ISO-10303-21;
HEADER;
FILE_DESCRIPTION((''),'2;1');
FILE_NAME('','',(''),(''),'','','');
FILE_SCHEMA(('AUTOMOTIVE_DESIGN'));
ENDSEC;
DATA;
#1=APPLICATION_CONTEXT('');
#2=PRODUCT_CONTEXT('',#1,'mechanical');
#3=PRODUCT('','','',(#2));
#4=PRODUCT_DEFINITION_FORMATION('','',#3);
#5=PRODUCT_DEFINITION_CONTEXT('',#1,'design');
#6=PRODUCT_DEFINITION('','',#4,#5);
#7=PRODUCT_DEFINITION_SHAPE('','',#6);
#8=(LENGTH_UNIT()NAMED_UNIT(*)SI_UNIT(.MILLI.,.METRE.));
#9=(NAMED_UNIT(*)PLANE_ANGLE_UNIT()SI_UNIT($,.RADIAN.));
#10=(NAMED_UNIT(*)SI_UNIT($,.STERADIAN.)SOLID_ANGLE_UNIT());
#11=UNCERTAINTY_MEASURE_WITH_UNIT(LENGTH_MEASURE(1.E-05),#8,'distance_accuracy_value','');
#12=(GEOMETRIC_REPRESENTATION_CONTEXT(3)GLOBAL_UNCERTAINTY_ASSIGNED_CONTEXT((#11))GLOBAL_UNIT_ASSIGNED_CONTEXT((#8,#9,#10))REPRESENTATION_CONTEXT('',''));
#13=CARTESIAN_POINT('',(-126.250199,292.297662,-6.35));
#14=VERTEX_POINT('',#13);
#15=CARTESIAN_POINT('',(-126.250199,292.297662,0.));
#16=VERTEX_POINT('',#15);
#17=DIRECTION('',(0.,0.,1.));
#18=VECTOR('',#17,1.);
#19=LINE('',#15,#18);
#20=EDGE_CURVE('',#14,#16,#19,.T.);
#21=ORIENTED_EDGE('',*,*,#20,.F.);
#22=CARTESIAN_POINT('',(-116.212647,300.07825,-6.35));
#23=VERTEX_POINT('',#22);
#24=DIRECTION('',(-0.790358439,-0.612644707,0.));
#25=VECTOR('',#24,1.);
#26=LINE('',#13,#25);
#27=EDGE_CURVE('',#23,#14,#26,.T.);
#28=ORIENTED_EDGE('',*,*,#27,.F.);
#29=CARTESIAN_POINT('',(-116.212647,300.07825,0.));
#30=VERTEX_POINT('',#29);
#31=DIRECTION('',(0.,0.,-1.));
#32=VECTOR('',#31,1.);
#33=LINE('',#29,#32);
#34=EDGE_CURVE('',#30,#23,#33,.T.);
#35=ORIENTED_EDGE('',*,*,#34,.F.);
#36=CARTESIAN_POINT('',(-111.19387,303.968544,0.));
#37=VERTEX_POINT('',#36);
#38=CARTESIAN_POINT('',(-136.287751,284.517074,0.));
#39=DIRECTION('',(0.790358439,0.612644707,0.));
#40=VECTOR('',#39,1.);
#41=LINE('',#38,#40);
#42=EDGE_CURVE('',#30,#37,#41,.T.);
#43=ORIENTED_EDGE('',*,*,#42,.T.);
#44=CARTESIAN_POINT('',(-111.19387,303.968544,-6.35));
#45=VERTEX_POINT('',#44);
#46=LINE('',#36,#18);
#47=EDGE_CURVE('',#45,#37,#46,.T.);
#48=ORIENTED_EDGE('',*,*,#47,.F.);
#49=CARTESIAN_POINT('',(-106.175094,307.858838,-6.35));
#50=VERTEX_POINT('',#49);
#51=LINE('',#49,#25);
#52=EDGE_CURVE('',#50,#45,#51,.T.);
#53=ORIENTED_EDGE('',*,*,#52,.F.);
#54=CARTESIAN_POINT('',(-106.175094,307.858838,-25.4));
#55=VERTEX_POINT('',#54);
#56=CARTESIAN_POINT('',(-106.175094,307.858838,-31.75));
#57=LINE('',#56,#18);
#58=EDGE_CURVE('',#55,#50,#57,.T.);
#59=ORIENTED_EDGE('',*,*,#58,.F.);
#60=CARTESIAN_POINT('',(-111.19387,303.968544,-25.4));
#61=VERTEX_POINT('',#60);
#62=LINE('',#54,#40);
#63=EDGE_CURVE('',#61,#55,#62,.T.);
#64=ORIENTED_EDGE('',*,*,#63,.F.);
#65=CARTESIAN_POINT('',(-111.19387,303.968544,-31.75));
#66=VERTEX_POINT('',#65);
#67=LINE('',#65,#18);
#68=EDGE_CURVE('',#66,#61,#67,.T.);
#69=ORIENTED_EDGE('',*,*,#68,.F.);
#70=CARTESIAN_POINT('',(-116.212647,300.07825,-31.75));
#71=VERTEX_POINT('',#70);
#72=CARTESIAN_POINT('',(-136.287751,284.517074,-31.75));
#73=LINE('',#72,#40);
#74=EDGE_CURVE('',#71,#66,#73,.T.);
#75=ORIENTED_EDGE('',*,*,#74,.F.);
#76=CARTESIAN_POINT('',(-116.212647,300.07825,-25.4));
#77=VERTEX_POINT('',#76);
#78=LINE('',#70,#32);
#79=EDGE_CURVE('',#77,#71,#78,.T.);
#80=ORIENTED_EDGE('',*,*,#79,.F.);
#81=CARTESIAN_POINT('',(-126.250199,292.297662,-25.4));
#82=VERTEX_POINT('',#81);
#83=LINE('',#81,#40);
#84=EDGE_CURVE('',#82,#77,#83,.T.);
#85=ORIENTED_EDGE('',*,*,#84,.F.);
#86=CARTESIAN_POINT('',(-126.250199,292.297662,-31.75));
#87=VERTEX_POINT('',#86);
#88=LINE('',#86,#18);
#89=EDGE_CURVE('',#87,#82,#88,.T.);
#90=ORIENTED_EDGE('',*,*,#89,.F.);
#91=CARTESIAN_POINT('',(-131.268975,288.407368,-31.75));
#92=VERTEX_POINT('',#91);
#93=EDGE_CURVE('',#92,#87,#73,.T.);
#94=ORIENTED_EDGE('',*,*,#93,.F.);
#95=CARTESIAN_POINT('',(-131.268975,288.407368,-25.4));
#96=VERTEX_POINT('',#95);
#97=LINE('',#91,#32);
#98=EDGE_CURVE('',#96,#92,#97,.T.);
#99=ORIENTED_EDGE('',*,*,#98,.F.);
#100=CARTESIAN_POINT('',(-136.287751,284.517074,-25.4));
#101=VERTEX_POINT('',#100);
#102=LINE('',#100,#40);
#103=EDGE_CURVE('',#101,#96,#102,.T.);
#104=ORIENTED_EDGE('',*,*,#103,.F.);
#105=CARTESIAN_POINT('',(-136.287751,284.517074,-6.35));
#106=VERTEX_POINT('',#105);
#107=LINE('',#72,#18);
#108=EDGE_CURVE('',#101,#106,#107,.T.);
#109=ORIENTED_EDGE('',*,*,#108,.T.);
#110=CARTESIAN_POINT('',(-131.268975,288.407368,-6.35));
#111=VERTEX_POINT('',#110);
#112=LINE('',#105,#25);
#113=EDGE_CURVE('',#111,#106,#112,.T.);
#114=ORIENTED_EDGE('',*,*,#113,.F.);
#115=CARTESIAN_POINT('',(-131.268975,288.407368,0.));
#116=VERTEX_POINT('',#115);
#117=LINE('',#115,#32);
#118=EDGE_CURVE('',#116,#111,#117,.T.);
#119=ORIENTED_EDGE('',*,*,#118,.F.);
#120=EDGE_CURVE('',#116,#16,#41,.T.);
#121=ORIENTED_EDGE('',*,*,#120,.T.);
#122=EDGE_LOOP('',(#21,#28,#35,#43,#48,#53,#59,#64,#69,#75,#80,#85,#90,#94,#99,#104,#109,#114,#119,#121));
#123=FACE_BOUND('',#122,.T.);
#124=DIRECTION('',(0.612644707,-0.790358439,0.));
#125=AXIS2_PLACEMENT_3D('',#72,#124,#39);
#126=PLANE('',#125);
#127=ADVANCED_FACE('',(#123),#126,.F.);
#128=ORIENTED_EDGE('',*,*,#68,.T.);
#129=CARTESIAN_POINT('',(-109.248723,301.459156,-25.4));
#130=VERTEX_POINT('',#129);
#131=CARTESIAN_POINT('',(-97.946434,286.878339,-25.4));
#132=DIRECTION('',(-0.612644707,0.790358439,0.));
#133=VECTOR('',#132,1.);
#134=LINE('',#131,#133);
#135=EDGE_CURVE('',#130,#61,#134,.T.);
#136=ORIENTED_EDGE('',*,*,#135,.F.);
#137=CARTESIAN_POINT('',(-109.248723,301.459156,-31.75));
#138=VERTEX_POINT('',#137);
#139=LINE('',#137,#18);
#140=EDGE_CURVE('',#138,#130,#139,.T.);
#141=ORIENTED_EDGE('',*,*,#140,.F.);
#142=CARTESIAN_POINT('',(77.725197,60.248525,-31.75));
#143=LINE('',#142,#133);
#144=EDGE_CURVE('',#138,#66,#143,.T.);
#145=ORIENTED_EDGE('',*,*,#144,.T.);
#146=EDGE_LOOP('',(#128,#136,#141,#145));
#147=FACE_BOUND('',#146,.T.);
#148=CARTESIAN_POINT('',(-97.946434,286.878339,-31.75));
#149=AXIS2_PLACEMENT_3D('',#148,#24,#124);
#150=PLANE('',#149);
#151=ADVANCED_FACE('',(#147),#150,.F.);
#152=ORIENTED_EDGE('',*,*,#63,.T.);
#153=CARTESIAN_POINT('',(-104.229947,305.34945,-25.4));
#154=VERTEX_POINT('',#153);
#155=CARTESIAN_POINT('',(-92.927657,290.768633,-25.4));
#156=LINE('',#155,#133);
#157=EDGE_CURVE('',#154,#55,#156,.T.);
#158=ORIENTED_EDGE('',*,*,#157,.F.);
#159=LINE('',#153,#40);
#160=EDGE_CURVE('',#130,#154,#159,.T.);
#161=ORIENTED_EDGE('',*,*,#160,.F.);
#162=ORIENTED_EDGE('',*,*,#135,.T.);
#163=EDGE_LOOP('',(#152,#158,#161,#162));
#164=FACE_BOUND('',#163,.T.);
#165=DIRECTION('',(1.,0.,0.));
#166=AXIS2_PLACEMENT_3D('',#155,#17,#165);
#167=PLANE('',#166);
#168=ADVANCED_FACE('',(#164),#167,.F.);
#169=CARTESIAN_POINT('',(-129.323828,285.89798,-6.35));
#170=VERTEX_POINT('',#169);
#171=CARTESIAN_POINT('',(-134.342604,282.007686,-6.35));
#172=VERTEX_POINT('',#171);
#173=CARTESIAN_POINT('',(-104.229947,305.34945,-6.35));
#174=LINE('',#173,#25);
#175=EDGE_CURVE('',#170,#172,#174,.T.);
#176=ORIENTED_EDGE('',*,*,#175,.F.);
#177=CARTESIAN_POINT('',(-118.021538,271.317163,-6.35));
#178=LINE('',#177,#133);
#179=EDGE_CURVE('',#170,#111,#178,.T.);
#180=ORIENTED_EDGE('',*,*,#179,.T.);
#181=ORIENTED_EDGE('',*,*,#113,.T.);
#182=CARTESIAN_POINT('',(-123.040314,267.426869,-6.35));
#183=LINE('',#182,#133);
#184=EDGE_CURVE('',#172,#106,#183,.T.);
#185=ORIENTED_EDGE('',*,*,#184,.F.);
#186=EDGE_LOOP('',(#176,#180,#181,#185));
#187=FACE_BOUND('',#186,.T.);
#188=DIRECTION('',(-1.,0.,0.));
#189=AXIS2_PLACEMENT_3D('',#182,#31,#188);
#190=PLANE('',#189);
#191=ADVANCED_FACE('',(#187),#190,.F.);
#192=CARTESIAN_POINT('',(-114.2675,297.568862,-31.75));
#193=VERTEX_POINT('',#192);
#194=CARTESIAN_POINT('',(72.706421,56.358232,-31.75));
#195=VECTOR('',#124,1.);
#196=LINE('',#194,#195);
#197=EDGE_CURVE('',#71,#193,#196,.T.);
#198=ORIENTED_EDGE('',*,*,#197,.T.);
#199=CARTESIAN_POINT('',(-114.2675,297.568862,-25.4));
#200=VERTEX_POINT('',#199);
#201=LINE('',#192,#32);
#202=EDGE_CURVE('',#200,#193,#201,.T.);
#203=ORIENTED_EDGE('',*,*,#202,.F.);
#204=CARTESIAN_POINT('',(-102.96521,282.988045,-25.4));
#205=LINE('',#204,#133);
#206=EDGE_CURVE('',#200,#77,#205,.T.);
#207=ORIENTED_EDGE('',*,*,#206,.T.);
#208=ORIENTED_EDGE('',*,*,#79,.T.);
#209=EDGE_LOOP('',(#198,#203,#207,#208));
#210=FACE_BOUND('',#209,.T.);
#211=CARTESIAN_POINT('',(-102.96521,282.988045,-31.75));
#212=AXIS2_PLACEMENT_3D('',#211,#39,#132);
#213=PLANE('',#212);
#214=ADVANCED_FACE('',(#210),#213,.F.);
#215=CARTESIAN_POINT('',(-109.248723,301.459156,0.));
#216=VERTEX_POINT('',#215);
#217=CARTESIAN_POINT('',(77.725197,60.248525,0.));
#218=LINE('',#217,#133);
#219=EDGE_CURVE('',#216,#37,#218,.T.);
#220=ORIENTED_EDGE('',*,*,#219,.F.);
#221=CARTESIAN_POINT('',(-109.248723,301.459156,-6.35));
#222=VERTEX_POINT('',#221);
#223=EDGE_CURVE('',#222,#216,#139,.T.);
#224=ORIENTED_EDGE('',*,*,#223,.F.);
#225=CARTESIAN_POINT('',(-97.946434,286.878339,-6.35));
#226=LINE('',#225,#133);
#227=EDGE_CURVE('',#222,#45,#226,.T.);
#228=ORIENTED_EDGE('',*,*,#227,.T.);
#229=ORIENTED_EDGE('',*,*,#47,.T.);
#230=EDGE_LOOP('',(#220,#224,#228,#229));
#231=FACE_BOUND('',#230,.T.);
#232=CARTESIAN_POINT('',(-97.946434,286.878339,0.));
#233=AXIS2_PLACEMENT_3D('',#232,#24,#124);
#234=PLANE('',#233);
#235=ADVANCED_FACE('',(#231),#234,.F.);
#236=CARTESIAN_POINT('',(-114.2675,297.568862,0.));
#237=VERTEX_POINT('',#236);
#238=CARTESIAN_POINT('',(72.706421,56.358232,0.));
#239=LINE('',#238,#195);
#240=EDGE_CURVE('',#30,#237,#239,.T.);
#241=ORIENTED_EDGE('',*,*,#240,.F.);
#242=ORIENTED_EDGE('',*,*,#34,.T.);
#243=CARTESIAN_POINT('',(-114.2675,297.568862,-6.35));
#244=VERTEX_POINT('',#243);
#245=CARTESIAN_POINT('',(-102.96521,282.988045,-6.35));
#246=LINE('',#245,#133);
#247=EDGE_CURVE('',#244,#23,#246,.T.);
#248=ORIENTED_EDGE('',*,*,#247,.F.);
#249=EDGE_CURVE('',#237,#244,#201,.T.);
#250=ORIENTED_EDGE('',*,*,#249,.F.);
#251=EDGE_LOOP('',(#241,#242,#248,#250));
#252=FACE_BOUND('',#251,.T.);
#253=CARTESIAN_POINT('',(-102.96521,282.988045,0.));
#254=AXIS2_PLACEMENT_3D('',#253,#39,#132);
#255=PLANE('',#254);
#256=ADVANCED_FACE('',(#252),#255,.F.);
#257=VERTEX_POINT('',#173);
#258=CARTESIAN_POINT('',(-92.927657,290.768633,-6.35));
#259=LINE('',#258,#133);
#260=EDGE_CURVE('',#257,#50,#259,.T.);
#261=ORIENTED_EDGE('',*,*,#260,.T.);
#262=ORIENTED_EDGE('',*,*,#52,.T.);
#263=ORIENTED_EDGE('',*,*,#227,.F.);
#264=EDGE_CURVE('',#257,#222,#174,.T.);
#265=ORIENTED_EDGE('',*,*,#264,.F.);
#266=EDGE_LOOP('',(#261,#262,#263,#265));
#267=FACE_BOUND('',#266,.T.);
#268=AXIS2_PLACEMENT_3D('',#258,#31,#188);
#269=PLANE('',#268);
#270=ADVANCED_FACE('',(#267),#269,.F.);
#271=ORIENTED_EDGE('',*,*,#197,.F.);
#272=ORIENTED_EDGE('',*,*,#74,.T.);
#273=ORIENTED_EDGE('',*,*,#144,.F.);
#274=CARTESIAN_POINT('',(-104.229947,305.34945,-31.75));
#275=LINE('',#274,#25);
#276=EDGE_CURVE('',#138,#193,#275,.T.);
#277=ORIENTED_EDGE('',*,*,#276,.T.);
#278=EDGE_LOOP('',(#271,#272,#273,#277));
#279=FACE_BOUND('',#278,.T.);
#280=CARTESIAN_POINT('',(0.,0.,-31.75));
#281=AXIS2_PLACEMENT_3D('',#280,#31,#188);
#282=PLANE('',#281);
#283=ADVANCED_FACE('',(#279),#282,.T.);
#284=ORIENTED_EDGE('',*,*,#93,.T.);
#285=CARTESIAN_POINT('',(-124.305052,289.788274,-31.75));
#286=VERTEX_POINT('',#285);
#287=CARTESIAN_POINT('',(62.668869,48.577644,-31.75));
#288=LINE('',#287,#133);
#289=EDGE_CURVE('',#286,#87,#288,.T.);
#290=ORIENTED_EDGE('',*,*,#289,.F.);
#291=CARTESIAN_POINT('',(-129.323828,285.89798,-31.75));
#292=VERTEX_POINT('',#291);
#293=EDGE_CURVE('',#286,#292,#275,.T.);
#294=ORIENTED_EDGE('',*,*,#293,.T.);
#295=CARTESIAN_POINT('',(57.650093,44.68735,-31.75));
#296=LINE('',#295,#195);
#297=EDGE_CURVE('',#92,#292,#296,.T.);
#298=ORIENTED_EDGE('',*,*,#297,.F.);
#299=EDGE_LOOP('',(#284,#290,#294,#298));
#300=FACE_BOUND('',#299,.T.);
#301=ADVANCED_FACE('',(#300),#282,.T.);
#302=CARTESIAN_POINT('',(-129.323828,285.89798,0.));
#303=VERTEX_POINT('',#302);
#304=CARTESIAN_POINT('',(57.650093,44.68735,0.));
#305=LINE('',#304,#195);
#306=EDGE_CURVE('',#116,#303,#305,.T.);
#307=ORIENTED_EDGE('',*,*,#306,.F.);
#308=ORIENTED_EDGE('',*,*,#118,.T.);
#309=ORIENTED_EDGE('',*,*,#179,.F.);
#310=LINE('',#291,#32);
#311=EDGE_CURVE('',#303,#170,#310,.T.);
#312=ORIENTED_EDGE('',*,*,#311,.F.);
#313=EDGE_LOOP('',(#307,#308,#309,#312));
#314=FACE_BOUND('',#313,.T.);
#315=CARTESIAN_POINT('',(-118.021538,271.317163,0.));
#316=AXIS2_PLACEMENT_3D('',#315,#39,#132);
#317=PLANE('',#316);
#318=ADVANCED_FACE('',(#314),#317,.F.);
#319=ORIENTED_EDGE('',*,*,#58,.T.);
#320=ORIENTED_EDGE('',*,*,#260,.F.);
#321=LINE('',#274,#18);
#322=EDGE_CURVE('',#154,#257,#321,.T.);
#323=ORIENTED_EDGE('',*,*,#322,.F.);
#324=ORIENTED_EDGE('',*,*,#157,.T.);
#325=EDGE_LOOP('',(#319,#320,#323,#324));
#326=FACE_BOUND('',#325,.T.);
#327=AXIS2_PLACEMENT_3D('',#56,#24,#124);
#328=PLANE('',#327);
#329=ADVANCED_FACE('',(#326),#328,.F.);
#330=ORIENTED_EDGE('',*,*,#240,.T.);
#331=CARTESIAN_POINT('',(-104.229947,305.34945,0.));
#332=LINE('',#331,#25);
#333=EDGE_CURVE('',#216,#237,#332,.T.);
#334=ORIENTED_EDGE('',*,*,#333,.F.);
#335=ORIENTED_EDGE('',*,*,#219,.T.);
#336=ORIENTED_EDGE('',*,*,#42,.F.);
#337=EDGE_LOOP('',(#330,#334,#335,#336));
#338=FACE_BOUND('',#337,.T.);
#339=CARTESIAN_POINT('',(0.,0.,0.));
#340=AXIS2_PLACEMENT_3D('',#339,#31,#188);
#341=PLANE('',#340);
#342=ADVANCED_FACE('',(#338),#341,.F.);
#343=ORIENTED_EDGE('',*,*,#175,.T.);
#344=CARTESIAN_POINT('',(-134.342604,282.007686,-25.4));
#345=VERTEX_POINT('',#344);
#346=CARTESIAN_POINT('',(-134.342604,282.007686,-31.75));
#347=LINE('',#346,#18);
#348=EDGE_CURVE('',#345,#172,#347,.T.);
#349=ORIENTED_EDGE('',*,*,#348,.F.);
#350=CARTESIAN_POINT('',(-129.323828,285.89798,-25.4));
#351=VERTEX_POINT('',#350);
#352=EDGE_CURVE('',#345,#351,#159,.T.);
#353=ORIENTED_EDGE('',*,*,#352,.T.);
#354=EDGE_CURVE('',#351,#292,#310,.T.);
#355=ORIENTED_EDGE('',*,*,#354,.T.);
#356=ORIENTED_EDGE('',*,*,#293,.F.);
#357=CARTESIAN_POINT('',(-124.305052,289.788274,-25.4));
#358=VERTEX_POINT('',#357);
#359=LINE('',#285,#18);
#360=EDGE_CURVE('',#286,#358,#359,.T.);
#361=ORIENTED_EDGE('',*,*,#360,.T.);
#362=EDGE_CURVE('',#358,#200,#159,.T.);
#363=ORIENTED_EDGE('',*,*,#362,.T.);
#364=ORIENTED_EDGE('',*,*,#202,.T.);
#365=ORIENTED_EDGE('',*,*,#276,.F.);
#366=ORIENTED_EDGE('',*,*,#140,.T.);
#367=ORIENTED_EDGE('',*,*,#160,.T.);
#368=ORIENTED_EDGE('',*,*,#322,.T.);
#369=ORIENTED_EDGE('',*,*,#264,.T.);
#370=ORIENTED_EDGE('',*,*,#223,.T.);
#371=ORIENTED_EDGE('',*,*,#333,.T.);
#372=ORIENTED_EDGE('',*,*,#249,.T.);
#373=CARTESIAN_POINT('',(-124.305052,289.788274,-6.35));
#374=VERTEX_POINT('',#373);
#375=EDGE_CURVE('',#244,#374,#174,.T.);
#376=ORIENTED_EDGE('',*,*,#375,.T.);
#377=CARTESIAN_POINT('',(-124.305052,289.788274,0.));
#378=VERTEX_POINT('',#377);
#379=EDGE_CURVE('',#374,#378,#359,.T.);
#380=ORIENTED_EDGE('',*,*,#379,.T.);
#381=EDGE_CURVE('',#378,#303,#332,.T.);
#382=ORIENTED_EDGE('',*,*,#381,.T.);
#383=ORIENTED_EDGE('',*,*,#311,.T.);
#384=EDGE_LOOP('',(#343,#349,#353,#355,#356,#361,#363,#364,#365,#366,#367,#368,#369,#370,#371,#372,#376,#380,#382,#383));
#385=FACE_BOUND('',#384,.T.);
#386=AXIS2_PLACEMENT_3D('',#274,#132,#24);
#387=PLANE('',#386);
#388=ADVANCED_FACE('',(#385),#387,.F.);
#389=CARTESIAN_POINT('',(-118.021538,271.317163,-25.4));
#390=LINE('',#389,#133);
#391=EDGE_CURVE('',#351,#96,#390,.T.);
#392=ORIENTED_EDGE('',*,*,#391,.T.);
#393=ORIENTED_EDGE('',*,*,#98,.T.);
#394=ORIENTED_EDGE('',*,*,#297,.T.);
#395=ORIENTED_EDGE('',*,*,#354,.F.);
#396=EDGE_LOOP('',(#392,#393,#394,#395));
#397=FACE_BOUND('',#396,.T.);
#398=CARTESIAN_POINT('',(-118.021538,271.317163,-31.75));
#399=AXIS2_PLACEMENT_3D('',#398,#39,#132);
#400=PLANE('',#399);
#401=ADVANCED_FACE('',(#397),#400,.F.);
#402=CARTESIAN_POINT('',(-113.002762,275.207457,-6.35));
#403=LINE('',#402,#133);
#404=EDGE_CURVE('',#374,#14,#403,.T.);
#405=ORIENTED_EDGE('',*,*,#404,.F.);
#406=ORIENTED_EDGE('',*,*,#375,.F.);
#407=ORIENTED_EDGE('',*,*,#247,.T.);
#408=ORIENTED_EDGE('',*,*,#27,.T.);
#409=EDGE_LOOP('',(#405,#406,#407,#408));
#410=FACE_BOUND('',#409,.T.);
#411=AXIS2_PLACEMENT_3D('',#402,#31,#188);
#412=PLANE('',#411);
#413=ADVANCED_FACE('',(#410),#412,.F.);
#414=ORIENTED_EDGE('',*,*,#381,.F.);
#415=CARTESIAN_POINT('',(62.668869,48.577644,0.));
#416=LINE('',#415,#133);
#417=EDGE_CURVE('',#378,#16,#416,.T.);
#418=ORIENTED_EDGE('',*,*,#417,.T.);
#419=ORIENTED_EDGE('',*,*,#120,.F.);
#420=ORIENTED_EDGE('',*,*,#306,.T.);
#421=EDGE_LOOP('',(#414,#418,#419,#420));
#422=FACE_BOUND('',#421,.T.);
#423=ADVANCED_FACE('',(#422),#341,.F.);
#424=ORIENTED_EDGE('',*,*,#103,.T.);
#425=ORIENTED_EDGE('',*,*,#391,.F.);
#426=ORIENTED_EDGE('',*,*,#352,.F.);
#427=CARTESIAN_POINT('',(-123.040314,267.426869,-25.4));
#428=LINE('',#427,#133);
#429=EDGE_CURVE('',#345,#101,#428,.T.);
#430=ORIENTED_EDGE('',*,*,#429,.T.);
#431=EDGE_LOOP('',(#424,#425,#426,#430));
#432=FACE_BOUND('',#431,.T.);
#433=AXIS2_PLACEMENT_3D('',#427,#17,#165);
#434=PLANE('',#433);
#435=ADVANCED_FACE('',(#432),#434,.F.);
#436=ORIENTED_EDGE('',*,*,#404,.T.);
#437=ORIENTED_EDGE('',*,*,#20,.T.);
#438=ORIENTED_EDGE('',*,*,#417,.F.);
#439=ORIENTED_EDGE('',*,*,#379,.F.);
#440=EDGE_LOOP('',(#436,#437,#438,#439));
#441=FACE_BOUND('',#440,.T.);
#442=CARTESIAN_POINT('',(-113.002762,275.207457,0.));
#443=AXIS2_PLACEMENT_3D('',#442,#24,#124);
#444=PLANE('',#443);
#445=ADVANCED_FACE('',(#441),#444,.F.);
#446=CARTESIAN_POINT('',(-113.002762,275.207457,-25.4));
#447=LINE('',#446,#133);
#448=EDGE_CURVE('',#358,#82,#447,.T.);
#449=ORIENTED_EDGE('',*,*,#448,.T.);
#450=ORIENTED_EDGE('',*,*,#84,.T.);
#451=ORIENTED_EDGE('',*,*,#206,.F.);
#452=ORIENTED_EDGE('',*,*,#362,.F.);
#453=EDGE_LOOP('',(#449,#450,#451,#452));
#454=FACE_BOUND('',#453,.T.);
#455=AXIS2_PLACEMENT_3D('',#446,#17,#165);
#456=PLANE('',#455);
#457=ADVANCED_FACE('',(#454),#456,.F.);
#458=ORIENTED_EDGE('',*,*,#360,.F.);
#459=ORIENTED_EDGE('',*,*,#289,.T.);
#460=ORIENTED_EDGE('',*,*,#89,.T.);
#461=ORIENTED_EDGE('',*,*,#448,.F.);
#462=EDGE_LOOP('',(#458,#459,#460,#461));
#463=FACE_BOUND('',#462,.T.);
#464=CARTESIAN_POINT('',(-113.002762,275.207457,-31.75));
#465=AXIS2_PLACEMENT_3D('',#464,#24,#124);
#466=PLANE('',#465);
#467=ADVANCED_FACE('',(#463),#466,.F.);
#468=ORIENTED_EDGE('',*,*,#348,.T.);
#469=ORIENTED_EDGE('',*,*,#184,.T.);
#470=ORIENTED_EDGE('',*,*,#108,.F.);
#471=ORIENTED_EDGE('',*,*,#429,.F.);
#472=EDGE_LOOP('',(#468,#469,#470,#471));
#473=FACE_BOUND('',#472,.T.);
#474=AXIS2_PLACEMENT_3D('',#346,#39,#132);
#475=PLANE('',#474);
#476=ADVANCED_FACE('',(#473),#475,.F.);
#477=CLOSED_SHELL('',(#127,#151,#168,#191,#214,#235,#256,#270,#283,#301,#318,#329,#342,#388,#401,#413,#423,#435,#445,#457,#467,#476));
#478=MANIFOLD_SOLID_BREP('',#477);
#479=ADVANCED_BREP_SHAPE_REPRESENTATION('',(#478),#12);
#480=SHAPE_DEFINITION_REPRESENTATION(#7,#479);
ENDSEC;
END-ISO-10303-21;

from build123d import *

# Parameters (mm, degrees)
BOSS_EXTRUDE1_DEPTH = 31.75
SKETCH2_W           = 6.35
SKETCH2_H           = 6.35
SKETCH2_W_2         = 12.7
CUT_EXTRUDE1_DEPTH  = 111.8787522


with BuildPart() as part:
    # Sketch1 → Boss-Extrude1 (new body)
    with BuildSketch(Plane.XY):
        Polygon((-134.342603935, 282.007686167), (-136.287750881, 284.517074212), (-106.175094345, 307.858837563), (-104.229947399, 305.349449518), align=None)
    extrude(amount=-BOSS_EXTRUDE1_DEPTH)

    # Sketch2 → Cut-Extrude1 (cut, through all)
    with BuildSketch(Plane(origin=(-188.919067382, 243.720018226, 0), x_dir=(0.7903584392757801, 0.6126447073676171, 0), z_dir=(-0.612644707367617, 0.79035843927578, 0))):
        with Locations((69.766705593, 28.575)):
            Rectangle(SKETCH2_W, SKETCH2_H)
        with Locations((101.516705593, 28.575)):
            Rectangle(SKETCH2_W, SKETCH2_H)
        with Locations((85.641705593, 28.575)):
            Rectangle(SKETCH2_W_2, SKETCH2_H)
        with Locations((69.766705593, 3.175)):
            Rectangle(SKETCH2_W, SKETCH2_H)
        with Locations((85.641705593, 3.175)):
            Rectangle(SKETCH2_W_2, SKETCH2_H)
        with Locations((101.516705593, 3.175)):
            Rectangle(SKETCH2_W, SKETCH2_H)
    extrude(amount=-CUT_EXTRUDE1_DEPTH, mode=Mode.SUBTRACT)


solid = part.part
